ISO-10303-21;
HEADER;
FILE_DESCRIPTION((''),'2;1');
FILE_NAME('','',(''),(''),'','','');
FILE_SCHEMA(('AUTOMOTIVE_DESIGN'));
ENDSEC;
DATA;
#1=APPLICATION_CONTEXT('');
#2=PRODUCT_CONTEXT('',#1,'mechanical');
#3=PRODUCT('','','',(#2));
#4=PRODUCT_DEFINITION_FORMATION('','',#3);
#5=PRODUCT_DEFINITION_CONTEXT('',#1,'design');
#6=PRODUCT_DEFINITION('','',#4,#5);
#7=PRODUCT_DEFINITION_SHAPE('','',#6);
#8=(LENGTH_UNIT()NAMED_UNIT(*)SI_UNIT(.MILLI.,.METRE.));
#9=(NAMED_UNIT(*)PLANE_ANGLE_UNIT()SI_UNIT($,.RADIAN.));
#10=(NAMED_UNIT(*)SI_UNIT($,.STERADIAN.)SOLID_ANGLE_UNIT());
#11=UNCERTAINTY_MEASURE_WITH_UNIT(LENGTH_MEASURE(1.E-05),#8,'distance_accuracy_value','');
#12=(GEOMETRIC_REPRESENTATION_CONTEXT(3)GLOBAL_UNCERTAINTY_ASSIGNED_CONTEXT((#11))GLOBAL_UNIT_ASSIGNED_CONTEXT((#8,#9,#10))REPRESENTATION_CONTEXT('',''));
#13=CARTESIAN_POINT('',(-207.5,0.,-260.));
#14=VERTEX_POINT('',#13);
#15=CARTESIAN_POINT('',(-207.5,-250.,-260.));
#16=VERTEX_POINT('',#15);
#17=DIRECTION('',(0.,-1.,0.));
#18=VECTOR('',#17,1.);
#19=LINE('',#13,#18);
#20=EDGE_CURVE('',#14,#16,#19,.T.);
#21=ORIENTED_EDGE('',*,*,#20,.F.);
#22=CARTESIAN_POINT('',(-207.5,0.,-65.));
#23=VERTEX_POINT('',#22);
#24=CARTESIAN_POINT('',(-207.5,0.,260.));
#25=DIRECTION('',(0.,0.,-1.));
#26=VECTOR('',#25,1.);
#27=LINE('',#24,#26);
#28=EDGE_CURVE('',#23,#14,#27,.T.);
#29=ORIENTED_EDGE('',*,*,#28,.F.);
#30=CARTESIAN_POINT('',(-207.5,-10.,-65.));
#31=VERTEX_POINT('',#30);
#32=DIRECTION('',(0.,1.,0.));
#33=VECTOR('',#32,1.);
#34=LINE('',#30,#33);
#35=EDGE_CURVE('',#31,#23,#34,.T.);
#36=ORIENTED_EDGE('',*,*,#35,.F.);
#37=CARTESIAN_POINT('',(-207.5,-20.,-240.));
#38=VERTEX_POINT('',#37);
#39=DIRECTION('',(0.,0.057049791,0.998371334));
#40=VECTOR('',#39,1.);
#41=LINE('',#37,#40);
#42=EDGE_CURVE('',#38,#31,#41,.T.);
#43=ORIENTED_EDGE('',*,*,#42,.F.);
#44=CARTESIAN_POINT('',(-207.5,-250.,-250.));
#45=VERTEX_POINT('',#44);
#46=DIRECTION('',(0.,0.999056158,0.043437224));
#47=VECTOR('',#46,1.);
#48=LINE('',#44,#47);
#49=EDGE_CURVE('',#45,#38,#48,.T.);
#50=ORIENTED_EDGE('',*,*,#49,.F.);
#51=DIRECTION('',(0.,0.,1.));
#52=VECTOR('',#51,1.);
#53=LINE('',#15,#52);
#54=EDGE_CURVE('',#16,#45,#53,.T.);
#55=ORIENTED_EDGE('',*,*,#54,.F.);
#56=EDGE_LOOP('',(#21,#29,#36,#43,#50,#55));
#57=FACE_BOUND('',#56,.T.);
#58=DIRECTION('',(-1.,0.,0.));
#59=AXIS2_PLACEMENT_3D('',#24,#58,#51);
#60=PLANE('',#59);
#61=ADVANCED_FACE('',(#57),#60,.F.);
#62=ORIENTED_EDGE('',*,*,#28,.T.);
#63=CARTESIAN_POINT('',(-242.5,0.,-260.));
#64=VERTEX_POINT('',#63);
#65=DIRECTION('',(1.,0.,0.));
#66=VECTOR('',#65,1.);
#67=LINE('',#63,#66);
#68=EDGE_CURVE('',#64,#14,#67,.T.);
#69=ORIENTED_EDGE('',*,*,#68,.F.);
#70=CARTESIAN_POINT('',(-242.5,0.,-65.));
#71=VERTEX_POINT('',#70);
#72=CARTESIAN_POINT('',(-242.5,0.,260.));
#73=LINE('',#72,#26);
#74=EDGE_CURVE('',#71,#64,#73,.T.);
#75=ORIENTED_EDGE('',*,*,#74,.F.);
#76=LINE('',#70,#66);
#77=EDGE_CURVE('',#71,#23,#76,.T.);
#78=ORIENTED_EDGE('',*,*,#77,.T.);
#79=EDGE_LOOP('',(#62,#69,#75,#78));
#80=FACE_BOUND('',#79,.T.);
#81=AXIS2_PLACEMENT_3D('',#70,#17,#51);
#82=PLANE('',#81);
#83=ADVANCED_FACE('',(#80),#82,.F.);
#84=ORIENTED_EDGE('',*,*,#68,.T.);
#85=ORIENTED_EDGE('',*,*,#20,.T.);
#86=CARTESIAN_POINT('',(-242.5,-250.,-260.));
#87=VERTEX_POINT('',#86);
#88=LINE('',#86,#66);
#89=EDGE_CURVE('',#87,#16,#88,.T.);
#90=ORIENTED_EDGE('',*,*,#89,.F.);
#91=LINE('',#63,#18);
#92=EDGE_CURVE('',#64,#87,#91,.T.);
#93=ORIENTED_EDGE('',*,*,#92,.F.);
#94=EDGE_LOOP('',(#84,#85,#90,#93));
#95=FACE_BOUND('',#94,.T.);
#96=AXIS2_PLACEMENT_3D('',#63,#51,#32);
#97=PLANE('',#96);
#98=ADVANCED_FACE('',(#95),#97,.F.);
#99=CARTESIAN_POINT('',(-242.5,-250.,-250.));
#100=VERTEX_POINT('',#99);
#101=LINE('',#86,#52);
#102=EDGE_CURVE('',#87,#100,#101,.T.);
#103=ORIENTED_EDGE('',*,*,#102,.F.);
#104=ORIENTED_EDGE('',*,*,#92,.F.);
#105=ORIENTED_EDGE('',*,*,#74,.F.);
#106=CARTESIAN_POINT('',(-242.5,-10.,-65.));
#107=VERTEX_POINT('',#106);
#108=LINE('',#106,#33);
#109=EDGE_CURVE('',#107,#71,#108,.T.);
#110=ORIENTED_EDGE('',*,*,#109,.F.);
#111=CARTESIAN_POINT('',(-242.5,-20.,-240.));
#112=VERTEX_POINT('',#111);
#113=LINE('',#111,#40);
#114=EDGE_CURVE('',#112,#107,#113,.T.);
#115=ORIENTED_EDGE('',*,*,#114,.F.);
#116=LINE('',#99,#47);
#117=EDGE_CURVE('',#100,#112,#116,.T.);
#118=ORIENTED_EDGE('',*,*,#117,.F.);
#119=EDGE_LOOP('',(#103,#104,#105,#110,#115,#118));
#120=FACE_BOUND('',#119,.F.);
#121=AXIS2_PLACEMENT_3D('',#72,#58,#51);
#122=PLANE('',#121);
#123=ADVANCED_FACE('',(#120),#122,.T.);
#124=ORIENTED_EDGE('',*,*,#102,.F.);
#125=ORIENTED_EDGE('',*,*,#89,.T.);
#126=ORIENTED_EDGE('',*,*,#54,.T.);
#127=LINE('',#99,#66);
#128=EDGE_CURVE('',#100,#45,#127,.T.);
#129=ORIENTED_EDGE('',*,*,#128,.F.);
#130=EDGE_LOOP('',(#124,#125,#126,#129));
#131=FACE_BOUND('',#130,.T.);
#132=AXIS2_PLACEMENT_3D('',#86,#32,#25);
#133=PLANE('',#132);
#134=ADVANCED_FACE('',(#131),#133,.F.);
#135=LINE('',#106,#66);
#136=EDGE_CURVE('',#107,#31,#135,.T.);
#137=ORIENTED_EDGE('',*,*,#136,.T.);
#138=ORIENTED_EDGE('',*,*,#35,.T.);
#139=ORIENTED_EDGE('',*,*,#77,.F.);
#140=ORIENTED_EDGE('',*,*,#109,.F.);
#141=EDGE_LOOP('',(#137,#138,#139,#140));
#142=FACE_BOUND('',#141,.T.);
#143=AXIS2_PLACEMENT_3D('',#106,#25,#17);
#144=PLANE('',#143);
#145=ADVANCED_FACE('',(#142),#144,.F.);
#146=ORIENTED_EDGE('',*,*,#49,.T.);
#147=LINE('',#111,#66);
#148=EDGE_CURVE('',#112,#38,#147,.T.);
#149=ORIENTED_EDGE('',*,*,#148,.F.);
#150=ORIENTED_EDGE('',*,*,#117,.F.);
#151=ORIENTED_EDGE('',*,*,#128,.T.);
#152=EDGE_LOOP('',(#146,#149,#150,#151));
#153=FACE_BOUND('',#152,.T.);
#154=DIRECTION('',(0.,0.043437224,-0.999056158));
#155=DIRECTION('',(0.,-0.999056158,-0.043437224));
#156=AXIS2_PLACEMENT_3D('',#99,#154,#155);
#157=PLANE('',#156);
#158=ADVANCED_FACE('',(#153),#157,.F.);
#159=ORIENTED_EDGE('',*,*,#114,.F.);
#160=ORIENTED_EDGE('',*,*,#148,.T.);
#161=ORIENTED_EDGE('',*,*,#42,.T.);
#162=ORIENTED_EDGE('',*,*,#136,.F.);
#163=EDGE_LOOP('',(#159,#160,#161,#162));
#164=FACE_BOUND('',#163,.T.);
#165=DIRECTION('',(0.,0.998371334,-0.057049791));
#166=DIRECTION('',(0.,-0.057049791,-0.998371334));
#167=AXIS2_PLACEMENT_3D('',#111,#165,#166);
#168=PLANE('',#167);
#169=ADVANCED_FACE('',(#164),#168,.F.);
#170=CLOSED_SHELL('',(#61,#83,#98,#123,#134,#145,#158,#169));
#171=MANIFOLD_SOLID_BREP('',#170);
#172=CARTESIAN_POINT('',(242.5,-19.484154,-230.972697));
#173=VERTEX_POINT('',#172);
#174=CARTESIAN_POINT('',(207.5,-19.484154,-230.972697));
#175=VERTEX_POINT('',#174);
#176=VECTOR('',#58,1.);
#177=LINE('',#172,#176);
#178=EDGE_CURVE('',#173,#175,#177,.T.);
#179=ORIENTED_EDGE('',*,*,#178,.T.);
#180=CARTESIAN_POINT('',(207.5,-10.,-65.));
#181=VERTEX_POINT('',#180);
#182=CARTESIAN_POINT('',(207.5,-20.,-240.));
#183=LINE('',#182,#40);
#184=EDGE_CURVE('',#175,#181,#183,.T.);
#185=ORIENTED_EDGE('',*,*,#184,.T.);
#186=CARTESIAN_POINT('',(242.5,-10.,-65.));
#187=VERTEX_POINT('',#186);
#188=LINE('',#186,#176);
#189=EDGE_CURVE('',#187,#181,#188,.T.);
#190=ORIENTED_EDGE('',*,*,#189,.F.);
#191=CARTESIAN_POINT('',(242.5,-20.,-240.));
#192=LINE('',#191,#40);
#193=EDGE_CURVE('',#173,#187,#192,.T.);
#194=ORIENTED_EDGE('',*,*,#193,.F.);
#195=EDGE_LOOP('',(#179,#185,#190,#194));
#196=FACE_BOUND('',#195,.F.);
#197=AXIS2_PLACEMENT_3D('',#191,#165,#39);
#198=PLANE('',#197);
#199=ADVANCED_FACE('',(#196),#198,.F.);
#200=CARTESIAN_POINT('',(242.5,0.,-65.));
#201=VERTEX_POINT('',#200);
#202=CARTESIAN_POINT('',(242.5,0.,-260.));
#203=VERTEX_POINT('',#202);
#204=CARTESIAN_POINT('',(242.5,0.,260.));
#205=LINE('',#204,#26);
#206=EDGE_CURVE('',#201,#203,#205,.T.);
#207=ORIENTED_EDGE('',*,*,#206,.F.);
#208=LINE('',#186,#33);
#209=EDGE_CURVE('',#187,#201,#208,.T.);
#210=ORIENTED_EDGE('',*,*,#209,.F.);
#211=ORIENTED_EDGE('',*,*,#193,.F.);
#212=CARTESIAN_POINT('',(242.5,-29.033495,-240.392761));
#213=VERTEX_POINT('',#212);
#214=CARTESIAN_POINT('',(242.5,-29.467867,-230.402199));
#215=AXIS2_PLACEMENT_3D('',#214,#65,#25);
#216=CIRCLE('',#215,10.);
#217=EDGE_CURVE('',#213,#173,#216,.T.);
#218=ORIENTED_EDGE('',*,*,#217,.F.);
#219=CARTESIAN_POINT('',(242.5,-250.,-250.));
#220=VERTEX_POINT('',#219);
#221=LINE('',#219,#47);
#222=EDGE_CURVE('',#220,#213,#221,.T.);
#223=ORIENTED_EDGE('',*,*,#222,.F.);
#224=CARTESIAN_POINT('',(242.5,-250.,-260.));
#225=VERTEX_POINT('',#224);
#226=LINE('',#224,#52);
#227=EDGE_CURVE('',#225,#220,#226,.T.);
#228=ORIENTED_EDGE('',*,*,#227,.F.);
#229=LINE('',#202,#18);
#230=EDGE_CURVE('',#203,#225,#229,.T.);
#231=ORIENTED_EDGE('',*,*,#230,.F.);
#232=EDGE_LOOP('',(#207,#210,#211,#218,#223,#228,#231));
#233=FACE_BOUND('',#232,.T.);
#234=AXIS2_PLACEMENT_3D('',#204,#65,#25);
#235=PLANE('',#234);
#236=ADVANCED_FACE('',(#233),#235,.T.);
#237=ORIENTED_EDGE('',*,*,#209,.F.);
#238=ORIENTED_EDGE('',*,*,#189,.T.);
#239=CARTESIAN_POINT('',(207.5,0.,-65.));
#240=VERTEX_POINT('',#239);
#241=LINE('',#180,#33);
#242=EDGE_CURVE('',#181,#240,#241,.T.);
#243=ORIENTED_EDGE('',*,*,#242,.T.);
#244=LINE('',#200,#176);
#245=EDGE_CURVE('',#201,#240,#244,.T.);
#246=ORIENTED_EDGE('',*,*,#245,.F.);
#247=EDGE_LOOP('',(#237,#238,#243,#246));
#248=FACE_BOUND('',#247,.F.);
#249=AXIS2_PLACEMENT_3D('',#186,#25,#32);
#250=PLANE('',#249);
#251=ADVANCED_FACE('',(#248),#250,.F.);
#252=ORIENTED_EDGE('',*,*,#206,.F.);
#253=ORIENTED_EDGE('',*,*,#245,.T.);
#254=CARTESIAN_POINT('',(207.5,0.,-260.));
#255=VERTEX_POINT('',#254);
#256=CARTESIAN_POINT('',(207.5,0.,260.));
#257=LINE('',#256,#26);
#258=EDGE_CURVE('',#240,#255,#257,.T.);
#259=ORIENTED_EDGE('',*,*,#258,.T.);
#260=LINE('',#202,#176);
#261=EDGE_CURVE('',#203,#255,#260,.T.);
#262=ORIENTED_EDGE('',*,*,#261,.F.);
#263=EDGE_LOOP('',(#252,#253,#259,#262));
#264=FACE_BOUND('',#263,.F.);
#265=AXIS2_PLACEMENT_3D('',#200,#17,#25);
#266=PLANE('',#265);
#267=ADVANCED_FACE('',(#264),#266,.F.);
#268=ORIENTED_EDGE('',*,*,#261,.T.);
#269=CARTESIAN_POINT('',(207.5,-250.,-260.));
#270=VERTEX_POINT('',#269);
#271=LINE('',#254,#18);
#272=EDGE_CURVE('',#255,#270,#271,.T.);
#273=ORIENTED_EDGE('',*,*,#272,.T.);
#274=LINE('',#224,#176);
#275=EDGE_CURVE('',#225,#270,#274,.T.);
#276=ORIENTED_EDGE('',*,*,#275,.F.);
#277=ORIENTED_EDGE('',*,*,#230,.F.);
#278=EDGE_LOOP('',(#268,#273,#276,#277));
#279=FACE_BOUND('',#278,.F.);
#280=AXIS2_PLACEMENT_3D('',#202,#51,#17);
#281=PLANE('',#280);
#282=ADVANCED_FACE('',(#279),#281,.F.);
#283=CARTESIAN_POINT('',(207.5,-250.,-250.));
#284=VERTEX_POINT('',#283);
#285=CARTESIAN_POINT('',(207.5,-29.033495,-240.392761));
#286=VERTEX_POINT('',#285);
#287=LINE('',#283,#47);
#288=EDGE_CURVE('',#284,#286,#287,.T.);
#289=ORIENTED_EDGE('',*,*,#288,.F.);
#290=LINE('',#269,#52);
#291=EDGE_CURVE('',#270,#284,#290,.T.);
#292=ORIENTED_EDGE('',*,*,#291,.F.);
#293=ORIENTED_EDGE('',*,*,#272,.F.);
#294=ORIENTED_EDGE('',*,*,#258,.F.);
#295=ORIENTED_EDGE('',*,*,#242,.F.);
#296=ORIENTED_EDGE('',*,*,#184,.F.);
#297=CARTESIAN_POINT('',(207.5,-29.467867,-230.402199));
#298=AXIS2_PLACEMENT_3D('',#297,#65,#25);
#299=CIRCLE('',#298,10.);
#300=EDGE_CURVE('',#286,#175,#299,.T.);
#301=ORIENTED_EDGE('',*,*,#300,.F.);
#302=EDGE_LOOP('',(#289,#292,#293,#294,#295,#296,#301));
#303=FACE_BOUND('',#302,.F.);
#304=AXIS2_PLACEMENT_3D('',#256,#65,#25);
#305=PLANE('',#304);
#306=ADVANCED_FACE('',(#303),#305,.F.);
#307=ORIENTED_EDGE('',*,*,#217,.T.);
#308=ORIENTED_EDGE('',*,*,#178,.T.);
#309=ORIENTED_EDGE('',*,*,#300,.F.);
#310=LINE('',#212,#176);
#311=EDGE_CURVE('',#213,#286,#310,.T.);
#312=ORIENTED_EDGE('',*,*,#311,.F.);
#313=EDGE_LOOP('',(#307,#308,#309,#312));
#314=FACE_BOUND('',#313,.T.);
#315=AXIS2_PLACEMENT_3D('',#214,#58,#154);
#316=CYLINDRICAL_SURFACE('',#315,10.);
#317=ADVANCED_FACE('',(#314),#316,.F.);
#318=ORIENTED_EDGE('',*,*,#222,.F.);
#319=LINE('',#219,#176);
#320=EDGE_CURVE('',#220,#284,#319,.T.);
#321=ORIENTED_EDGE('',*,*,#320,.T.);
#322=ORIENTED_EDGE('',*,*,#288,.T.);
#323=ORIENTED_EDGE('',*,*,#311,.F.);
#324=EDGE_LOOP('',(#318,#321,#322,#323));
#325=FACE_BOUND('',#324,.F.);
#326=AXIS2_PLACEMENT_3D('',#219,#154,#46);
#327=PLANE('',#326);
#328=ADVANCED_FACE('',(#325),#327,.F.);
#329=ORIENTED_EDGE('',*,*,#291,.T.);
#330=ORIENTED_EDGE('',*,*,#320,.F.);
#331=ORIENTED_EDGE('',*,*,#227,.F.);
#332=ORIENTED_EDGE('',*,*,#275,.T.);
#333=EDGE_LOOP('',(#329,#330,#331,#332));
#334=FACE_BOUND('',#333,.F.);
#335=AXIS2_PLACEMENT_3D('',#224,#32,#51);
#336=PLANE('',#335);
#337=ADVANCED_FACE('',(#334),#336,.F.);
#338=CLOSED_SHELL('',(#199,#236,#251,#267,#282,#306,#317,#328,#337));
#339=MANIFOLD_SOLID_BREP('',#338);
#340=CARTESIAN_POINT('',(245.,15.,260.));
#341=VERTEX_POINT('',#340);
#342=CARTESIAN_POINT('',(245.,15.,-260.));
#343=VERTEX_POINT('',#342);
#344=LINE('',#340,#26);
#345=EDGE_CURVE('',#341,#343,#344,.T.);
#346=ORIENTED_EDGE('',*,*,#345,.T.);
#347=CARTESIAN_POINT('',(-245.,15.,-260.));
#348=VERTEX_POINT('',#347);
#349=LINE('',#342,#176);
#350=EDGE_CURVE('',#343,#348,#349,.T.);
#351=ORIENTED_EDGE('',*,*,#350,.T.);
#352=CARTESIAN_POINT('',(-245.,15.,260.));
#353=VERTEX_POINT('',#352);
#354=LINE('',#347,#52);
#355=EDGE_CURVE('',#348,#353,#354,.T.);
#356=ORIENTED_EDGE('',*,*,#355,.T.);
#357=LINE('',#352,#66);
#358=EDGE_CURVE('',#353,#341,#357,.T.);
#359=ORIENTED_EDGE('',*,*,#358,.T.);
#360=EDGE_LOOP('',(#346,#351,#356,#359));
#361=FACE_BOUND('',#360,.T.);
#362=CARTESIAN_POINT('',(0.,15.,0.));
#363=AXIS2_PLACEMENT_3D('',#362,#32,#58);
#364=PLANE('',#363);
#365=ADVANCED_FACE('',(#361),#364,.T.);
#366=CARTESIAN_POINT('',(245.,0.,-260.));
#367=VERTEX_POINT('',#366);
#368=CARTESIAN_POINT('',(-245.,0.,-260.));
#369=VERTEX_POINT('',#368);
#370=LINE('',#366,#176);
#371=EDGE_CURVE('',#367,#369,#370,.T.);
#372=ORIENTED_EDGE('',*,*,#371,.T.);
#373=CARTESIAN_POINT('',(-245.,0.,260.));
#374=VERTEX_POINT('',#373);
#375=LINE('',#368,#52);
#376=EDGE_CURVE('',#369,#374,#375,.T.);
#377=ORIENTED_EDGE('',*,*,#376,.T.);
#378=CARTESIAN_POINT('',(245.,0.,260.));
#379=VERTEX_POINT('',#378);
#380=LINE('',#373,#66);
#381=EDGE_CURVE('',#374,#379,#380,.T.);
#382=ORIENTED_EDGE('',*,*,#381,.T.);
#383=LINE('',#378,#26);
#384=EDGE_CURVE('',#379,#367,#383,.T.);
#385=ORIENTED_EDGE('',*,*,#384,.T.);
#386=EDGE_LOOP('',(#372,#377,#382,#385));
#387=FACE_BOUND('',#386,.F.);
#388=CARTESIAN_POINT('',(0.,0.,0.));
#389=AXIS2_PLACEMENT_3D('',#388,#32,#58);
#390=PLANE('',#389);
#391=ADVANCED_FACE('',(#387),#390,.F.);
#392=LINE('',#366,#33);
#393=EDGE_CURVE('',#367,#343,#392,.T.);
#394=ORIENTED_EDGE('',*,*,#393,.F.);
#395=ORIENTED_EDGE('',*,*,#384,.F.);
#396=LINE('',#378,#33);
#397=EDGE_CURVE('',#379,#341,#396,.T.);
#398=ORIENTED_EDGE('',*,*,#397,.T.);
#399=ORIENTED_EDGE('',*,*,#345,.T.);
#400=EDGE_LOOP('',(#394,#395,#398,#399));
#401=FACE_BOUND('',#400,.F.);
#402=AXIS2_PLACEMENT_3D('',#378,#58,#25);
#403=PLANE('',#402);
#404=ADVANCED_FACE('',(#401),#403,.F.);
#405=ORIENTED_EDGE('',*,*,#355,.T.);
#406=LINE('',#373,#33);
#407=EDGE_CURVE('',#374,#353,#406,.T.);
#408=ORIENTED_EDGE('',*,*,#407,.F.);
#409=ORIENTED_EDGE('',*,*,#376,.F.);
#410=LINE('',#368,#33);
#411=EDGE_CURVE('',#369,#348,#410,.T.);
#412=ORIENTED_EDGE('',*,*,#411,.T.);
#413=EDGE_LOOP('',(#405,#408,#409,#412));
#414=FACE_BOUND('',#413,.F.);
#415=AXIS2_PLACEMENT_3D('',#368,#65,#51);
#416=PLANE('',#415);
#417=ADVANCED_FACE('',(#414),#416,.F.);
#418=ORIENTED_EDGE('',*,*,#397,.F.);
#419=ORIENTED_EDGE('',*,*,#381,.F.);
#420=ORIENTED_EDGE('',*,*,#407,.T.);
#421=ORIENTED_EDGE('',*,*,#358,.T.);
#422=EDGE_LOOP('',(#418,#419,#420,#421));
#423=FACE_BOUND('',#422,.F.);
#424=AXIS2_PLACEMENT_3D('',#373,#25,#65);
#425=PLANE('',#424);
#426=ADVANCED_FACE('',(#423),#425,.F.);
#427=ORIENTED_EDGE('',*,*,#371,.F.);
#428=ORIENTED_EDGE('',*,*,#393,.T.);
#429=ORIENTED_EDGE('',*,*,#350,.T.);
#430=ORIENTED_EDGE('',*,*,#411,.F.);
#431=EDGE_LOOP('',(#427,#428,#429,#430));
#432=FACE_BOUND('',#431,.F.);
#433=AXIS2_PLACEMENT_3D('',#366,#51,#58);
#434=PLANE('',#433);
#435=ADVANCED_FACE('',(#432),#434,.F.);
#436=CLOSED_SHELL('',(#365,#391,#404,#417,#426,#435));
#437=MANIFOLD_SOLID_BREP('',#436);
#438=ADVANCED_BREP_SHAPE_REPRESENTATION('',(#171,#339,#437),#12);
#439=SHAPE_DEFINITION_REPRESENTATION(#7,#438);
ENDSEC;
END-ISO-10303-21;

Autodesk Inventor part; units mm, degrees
ref_plane "YZ Plane" through (0, 0, 0) normal (1, 0, 0) x (0, 1, 0)
sketch "Sketch1" plane through (0, 0, 0) normal (0, 1, 0) x (-1, 0, 0)
  line L0 (245, 260) -> (-245, 260)
  line L1 (-245, 260) -> (-245, -260)
  line L2 (-245, -260) -> (245, -260)
  line L3 (245, -260) -> (245, 260)
  line L4 (245, 260) -> (-245, -260) construction
  line L5 (-245, 260) -> (245, -260) construction
  point P0 (0, 0)
  dimension "d0" = 490
  dimension "d1" = 520
extrude "Extrusion1" add sketch "Sketch1" along normal blind 15
ref_plane "Work Plane1" through (242.5, 0, 260) normal (1, 0, 0) x (0, 0, -1)
sketch "Sketch2" plane through (242.5, 0, 260) normal (1, 0, 0) x (0, 0, -1)
  line L0 (0, 0) -> (520, 0) projected
  line L1 (520, 0) -> (520, -250)
  line L2 (520, -250) -> (510, -250)
  line L3 (510, -250) -> (500, -20)
  line L4 (500, -20) -> (325, -10)
  line L5 (325, -10) -> (325, 0)
  line L6 (520, 0) -> (325, 0)
  line L7 (500, -20) -> (500, 0) construction
  line L8 (500, -20) -> (520, -20) construction
  point P0 (260, 0)
  dimension "d5" = 10
  dimension "d6" = 20
  dimension "d7" = 195
  dimension "d8" = 250
extrude "Extrusion2" add sketch "Sketch2" against normal blind 35 separate body
fillet "Fillet1" radius 10 1 edges at (225, -20, -240)
ref_plane "Work Plane2" through (0, 0, 260) normal (1, 0, 0) x (0, 0, -1)
mirror "Mirror1" about plane through (0, 0, 260) normal (1, 0, 0) of "Extrusion2" bodies 2
properties part number "ShedDesk"
